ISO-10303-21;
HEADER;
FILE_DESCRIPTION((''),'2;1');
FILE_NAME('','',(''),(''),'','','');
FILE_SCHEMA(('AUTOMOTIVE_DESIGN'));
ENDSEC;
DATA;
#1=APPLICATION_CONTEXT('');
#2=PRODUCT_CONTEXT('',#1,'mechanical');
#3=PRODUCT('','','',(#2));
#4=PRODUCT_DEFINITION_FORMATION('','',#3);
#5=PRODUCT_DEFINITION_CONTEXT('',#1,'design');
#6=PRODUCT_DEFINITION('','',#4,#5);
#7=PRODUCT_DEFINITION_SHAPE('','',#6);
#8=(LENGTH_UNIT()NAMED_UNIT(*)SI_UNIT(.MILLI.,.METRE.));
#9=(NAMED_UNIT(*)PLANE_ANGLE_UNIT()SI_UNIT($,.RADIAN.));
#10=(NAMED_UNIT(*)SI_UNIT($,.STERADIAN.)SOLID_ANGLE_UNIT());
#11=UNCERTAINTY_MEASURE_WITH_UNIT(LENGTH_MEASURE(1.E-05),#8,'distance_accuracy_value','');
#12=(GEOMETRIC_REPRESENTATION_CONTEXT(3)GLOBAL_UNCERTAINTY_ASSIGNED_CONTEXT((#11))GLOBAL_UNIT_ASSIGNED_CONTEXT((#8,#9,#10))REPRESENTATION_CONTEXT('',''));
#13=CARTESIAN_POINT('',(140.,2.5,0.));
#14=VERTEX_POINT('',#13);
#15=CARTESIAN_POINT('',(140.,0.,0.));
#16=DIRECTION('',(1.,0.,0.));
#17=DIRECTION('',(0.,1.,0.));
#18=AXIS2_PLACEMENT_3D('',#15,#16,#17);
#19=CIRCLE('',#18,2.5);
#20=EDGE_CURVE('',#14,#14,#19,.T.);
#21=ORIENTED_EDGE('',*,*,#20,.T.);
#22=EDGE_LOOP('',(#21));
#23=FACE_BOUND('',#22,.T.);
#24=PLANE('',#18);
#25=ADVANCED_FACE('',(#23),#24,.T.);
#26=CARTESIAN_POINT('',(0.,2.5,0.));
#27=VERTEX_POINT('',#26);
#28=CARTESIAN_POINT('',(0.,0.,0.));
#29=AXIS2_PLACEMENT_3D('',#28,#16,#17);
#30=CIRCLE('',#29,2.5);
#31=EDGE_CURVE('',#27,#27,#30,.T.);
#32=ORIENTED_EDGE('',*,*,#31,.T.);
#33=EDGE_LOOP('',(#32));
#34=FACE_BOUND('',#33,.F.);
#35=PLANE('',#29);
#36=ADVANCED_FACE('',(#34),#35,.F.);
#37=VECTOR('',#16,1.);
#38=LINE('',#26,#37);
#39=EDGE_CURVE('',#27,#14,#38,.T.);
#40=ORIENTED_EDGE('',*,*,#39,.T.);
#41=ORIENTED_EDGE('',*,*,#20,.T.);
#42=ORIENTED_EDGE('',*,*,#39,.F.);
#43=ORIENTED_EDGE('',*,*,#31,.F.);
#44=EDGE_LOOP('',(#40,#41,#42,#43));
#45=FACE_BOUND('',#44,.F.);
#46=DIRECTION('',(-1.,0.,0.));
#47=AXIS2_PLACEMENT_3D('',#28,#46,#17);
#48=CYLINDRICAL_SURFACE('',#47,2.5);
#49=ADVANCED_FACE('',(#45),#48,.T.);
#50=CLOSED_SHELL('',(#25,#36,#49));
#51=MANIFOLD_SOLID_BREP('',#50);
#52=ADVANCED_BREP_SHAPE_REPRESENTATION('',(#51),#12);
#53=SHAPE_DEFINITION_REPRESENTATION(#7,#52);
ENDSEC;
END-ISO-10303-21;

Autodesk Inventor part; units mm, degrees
ref_plane "YZ Plane" through (0, 0, 0) normal (1, 0, 0) x (0, 1, 0)
ref_plane "XZ Plane" through (0, 0, 0) normal (0, 1, 0) x (-1, 0, 0)
ref_plane "XY Plane" through (0, 0, 0) normal (0, 0, 1) x (1, 0, 0)
sketch "Sketch1" plane through (0, 0, 0) normal (1, 0, 0) x (0, 1, 0)
  circle A0 centre (0, 0) radius 2.5
  dimension "d0" = 5
extrude "Extrusion1" add sketch "Sketch1" along normal blind 140
properties part number "lead_screw"
